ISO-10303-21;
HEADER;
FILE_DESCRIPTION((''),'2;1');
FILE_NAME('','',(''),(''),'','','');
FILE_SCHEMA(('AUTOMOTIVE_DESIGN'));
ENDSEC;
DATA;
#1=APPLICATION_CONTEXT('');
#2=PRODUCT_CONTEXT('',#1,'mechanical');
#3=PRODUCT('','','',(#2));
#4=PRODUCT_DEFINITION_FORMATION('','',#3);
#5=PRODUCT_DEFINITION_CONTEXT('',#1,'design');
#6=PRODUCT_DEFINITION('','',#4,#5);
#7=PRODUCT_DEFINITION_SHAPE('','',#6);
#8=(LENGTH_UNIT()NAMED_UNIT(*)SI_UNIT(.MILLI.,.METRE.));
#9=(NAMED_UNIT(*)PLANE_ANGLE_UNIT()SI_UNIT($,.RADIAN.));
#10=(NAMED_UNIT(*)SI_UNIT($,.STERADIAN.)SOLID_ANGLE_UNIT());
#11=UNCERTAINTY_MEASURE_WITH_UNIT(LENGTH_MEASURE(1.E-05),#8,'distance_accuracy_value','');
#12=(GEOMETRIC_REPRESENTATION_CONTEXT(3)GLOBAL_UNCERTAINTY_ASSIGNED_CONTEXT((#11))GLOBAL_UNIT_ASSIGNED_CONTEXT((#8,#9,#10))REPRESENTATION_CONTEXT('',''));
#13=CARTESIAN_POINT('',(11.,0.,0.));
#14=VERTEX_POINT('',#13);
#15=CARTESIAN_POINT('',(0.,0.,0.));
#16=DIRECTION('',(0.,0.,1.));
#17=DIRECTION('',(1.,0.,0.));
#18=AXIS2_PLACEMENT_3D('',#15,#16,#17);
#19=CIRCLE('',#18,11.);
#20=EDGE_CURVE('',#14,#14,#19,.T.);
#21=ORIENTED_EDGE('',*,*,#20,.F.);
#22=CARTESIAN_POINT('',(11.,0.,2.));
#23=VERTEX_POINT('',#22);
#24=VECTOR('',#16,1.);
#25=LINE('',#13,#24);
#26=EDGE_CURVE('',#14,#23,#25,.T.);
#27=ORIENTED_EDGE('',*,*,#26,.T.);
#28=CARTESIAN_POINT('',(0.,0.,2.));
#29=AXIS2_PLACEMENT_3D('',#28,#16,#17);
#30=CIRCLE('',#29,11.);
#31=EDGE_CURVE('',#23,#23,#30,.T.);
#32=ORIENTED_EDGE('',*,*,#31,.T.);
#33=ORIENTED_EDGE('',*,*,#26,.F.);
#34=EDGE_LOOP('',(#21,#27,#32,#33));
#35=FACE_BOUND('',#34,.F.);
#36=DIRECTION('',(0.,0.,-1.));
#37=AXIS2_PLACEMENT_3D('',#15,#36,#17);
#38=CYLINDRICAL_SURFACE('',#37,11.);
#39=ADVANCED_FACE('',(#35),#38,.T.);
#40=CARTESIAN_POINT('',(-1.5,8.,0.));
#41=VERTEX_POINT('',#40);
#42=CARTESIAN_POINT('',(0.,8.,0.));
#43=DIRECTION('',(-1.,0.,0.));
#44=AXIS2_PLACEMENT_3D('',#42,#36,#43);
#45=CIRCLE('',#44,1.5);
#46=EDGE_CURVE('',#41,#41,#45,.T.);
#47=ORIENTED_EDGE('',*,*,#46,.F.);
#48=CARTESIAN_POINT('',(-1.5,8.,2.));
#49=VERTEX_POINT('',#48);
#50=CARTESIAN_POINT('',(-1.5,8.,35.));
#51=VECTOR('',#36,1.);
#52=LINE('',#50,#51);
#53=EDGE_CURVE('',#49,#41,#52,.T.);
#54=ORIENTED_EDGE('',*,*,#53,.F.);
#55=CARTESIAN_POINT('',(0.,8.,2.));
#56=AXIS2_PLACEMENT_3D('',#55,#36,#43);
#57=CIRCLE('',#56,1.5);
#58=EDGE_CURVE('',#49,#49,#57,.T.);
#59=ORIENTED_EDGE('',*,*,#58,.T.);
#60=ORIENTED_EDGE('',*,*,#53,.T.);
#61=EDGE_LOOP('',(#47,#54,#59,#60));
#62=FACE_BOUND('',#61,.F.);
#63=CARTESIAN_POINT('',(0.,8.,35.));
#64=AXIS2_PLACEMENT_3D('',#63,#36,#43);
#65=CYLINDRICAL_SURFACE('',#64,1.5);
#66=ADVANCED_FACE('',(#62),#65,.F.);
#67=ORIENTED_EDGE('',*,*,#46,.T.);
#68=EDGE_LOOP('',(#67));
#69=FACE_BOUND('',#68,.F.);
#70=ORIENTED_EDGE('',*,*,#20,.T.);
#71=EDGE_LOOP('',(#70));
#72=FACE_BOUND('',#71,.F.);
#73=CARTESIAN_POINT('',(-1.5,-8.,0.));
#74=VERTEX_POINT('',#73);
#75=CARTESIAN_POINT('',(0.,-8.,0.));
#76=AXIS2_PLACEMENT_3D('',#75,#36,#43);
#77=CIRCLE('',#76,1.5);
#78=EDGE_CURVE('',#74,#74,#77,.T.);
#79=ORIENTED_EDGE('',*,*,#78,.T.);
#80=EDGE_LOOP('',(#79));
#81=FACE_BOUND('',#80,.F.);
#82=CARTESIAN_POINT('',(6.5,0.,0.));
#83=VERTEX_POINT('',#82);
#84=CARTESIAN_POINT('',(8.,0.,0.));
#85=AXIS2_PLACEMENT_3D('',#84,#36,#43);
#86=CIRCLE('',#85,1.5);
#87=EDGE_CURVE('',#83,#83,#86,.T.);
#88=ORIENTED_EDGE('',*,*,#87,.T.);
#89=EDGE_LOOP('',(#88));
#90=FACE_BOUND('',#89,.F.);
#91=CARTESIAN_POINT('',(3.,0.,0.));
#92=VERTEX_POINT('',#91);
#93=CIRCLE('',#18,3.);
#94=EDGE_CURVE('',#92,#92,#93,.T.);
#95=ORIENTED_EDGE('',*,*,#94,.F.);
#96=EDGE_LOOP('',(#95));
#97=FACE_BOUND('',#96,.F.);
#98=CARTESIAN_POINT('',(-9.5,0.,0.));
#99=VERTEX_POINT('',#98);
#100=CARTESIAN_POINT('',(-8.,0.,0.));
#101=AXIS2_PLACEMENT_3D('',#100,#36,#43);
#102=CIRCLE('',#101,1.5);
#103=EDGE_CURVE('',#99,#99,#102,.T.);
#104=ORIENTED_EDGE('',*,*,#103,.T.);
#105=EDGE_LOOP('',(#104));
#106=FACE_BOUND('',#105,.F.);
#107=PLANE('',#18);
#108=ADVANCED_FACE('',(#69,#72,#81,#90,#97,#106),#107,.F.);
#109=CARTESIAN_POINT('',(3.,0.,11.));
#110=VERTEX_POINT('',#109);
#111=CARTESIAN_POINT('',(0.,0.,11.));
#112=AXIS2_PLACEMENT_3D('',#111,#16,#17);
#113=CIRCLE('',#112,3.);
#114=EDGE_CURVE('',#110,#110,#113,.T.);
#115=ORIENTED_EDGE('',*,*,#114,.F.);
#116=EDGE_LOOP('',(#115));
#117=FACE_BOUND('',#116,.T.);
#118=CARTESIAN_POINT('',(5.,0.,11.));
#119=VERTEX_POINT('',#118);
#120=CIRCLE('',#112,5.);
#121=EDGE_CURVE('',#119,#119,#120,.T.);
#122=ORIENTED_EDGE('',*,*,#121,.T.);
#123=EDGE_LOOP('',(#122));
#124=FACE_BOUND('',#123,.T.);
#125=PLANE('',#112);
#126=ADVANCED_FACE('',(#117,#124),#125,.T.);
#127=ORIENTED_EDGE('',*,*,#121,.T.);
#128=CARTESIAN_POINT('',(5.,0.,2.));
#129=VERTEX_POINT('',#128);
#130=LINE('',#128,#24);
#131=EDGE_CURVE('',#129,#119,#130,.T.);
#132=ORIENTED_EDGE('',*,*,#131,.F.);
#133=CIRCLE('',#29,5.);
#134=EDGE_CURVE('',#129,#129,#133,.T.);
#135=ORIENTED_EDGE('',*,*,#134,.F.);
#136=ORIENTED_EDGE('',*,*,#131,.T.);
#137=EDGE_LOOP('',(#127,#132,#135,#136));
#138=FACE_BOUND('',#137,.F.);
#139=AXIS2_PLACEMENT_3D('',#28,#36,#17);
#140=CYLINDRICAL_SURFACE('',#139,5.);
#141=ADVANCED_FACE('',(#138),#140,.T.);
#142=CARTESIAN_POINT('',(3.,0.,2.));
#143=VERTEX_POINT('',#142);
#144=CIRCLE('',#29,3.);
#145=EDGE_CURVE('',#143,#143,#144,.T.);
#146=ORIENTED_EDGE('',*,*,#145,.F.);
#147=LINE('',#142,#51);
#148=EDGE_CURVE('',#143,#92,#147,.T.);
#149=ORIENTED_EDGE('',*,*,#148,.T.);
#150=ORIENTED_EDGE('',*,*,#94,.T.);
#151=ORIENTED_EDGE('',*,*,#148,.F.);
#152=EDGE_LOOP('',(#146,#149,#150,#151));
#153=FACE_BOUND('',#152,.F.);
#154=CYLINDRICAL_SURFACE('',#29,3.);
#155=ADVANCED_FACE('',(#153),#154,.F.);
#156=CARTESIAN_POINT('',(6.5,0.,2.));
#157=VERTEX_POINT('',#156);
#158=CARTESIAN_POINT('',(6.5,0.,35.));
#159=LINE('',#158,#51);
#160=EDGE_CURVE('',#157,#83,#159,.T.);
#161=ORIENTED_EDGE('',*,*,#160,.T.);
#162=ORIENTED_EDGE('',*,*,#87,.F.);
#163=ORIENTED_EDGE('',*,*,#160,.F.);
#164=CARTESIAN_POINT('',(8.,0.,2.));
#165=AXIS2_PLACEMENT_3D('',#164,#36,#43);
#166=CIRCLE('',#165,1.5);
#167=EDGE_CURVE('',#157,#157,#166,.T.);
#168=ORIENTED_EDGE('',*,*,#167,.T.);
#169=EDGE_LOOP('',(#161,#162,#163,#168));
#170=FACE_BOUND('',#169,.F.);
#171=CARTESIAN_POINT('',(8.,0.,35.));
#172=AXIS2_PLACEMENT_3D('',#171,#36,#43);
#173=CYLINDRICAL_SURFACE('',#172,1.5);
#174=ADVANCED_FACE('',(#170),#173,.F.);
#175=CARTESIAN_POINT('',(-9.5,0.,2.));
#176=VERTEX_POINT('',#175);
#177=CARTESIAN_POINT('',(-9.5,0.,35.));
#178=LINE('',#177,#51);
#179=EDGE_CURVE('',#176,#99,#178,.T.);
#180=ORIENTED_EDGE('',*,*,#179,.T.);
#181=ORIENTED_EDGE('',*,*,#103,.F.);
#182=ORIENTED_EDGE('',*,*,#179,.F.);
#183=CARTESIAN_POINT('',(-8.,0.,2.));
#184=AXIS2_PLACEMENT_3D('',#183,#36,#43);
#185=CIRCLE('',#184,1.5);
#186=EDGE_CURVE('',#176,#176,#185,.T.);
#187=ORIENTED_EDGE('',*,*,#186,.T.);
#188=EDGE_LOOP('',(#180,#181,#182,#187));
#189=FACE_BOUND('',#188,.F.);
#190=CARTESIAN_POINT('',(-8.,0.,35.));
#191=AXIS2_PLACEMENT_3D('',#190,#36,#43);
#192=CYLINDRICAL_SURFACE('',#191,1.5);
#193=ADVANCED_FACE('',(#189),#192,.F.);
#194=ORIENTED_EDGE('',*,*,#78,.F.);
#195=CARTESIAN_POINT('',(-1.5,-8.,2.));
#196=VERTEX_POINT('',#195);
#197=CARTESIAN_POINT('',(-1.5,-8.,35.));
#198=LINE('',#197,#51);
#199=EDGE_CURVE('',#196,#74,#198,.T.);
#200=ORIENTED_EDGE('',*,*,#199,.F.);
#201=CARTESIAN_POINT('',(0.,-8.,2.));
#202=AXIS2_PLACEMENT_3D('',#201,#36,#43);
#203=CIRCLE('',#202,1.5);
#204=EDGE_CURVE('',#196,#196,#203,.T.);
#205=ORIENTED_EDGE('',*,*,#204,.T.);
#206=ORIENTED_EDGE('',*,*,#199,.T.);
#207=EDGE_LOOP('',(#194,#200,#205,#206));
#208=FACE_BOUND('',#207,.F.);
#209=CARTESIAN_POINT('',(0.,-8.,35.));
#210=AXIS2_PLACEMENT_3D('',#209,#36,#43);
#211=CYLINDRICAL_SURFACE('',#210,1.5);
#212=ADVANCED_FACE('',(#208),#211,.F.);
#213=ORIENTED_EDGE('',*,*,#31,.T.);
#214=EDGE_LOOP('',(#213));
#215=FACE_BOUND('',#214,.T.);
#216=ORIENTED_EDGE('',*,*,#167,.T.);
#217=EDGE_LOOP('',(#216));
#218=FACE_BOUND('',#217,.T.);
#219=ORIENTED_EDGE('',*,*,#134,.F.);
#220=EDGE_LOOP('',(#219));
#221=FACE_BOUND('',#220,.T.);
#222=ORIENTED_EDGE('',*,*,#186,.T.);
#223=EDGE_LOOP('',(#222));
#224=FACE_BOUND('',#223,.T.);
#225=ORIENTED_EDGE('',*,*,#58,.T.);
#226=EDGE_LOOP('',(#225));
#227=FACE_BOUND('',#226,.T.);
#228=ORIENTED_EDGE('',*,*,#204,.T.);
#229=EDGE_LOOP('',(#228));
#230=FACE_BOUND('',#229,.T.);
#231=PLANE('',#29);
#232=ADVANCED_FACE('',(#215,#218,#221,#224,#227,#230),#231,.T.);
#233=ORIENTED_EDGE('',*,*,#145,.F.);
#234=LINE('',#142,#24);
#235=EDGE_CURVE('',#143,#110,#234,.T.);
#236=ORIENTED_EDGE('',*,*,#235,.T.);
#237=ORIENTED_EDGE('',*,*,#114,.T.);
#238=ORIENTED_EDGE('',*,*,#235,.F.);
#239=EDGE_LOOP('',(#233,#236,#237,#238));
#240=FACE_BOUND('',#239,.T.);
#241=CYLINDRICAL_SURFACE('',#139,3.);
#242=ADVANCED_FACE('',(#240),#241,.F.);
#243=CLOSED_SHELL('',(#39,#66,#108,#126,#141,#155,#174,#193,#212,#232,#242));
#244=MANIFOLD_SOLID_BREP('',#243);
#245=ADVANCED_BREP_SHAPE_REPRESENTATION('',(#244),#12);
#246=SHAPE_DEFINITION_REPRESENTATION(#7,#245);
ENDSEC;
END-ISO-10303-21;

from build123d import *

# Parameters (mm, degrees)
F0_R     = 11
F1_DEPTH = 2
F2_R     = 5
F2_R_2   = 3
F3_DEPTH = 9
F4_R     = 3
F5_DEPTH = 2
F7_D     = 3


with BuildPart() as f1:
    # F0 (on Top) → F1 (new body)
    with BuildSketch(Plane.XY):
        Circle(F0_R)
    extrude(amount=F1_DEPTH)

    # F2 (on face) → F3 (join)
    with BuildSketch(Plane.XY.offset(2)):
        Circle(F2_R)
        Circle(F2_R_2, mode=Mode.SUBTRACT)
    extrude(amount=F3_DEPTH)

    # F4 (on face) → F5 (cut, through all)
    with BuildSketch(Plane.XY.offset(2)):
        Circle(F4_R)
    extrude(amount=-F5_DEPTH, mode=Mode.SUBTRACT)

    # F7 (through all)
    with Locations(Plane.XY.offset(2)):
        with Locations((0, 8), (8, 0), (0, -8), (-8, 0)):
            Hole(F7_D / 2)


solid = f1.part
